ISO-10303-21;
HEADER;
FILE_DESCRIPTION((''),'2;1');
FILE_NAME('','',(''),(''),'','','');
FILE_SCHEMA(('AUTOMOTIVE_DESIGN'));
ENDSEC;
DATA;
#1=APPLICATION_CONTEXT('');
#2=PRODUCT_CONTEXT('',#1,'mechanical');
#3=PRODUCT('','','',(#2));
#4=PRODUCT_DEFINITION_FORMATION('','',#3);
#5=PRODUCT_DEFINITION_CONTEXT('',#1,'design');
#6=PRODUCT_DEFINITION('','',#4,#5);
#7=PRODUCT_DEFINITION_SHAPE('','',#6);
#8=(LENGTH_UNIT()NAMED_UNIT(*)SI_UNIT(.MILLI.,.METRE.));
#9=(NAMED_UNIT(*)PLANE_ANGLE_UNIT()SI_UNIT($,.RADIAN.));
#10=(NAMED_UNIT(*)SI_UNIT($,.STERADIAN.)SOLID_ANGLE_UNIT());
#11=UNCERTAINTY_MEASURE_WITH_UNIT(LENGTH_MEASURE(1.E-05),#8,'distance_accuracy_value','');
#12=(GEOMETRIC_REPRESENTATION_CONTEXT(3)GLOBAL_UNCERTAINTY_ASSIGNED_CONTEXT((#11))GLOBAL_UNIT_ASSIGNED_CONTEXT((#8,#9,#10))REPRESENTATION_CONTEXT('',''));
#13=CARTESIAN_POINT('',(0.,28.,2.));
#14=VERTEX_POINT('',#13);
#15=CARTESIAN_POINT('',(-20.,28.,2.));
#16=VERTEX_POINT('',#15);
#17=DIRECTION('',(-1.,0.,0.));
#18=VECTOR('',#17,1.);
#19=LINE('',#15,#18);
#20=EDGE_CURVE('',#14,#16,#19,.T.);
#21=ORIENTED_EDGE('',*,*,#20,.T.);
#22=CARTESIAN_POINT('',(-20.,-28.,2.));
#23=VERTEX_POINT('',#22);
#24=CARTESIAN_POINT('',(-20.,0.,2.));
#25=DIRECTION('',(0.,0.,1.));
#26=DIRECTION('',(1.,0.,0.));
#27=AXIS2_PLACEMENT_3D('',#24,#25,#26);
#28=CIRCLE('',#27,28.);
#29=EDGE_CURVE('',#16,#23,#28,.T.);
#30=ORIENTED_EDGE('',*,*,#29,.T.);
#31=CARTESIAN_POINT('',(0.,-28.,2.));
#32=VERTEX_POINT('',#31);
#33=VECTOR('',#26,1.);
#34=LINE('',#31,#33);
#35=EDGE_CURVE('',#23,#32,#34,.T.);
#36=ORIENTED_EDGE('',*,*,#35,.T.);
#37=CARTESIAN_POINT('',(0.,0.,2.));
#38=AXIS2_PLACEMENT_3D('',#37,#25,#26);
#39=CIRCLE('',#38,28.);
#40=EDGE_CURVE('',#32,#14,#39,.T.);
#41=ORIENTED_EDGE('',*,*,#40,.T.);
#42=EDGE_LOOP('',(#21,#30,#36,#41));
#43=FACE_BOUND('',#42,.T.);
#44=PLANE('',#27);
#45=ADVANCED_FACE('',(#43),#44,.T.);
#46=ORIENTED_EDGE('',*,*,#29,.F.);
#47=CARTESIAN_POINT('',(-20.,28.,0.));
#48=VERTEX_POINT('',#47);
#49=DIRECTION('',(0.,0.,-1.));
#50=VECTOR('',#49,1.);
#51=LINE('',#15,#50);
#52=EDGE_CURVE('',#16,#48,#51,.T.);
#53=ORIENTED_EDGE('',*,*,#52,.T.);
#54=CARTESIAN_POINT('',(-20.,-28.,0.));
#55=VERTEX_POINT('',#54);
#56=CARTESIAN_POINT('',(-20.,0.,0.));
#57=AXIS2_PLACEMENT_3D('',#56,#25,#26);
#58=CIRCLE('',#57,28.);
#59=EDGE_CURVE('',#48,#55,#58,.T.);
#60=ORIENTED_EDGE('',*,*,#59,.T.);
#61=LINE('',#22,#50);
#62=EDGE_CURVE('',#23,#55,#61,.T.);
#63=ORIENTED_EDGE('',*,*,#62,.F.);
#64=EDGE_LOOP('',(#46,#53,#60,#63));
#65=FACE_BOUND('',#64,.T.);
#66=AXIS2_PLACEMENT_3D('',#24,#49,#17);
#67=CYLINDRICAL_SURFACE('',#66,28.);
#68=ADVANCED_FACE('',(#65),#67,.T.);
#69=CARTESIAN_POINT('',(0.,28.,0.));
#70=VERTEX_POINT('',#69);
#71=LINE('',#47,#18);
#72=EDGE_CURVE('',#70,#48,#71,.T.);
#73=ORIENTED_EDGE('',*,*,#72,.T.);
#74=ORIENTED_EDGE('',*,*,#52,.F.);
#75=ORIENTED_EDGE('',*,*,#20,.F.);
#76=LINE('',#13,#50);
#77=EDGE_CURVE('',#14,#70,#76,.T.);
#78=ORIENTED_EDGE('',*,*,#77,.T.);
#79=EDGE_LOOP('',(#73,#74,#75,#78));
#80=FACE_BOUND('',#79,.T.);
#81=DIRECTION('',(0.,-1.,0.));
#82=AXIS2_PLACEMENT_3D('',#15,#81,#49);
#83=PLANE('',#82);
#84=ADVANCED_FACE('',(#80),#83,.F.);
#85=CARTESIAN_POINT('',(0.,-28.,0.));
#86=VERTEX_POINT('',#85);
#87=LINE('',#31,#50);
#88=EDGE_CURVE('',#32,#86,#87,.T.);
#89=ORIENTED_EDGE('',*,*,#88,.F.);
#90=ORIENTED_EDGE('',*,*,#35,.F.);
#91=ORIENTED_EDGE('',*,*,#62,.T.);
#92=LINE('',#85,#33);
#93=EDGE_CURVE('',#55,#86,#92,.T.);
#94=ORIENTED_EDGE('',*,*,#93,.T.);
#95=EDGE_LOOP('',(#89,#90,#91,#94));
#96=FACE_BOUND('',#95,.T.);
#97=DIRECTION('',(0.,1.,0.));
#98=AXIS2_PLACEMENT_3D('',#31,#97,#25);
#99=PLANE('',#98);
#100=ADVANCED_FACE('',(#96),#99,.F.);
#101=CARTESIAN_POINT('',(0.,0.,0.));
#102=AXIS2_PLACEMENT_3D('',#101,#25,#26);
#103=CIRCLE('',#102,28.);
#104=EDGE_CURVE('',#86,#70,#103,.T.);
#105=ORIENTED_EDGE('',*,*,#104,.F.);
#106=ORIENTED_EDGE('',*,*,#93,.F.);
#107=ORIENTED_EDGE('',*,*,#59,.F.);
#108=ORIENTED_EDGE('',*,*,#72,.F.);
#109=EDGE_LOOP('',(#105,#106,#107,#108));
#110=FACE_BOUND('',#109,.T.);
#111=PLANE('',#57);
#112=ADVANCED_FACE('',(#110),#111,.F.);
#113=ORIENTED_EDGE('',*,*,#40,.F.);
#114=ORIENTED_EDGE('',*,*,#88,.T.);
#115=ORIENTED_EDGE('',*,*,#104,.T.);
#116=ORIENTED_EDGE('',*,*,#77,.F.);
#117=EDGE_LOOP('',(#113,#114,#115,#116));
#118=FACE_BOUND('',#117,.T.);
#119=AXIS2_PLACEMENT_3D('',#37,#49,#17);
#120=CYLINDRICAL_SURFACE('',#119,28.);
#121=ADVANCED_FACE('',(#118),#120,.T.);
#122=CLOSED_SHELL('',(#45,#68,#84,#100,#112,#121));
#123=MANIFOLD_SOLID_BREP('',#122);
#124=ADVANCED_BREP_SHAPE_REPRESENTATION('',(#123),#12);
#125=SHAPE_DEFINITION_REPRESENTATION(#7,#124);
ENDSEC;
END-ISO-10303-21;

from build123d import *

# Parameters (mm, degrees)
EXTRUDE_1_DEPTH = 2


with BuildPart() as part:
    # 草图1 → 凸台-拉伸1 (new body)
    with BuildSketch(Plane.XY):
        with BuildLine():
            Line((-20, 28), (0, 28))
            ThreePointArc((0, 28), (28, 0), (0, -28))
            Line((0, -28), (-20, -28))
            ThreePointArc((-20, -28), (-48, 0), (-20, 28))
        make_face()
    extrude(amount=EXTRUDE_1_DEPTH)


solid = part.part
